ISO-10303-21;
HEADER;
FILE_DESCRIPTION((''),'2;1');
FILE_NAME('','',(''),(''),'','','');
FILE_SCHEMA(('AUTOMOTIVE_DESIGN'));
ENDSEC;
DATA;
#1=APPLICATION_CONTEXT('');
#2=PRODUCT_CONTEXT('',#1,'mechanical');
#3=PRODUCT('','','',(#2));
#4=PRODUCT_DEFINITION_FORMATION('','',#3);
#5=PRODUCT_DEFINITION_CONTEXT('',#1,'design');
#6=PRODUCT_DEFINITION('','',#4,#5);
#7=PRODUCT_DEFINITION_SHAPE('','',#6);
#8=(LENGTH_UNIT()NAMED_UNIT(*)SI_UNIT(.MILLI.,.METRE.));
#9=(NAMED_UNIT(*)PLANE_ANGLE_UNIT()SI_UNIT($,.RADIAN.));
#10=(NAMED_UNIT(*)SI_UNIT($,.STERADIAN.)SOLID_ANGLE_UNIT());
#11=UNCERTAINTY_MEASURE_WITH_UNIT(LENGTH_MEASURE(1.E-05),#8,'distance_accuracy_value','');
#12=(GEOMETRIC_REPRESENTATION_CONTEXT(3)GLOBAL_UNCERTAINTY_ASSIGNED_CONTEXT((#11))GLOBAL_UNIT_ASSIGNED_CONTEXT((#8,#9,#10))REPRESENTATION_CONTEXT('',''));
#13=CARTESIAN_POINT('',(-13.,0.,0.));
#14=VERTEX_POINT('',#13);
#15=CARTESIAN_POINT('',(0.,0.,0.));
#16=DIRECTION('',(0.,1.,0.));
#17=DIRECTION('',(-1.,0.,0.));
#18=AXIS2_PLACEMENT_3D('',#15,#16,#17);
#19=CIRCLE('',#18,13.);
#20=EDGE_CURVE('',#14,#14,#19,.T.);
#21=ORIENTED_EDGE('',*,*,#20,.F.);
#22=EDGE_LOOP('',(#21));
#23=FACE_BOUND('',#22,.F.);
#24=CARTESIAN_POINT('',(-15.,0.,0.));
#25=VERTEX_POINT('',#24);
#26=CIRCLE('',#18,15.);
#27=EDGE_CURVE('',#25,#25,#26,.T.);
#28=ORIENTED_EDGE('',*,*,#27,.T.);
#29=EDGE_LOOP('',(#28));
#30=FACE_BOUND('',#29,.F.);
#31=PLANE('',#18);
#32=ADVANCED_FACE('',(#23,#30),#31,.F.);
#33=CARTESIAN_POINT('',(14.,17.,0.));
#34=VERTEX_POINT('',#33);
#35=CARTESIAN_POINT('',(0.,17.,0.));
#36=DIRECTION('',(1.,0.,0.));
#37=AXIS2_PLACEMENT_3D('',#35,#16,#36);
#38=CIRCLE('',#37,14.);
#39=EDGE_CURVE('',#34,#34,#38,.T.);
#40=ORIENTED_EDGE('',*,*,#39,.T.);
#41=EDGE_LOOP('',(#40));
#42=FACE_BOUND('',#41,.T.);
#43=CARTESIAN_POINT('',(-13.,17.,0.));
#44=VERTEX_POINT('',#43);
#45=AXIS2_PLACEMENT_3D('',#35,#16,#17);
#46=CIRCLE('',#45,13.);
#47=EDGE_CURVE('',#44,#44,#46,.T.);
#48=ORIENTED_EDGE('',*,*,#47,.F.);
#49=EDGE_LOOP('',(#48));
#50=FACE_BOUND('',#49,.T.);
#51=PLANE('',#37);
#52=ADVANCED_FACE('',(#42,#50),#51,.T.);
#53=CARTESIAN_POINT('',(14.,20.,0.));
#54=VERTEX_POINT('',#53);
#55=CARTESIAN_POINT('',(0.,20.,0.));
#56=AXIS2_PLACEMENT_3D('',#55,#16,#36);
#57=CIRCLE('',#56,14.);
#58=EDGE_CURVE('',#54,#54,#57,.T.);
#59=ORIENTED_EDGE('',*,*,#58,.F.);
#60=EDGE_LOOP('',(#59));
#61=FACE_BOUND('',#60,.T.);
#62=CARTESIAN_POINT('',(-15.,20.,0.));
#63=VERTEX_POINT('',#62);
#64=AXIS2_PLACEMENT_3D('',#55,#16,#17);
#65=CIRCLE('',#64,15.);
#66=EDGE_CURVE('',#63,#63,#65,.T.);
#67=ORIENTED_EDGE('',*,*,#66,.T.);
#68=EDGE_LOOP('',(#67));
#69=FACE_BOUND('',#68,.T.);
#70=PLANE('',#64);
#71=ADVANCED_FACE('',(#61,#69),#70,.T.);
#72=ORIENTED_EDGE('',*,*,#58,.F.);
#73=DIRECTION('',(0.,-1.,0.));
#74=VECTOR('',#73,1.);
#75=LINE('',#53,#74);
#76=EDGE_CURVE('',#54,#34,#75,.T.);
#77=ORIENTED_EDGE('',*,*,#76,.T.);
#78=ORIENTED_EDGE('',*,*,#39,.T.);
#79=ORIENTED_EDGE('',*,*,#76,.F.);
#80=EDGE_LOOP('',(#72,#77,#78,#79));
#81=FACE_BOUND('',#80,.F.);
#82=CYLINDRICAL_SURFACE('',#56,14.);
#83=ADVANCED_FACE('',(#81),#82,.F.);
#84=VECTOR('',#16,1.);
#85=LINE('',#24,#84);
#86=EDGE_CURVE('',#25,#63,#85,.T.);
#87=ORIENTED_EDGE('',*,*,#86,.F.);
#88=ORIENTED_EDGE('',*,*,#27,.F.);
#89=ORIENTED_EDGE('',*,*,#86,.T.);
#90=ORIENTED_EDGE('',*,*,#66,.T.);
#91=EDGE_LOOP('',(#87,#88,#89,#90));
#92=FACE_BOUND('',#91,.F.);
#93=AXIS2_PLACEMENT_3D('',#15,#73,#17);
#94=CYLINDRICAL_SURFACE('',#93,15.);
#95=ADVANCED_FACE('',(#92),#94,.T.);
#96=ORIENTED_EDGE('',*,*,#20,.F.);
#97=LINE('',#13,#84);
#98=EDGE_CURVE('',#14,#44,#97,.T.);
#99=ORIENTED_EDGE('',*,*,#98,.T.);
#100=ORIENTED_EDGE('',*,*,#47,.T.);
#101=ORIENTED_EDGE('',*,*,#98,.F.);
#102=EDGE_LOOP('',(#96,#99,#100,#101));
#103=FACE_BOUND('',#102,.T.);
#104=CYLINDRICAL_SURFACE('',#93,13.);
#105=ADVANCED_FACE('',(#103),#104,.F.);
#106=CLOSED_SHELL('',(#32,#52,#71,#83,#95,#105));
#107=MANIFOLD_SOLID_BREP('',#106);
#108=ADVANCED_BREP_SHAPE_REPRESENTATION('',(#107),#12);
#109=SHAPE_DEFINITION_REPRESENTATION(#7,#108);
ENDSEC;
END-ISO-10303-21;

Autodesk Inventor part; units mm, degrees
ref_plane "YZ Plane" through (0, 0, 0) normal (1, 0, 0) x (0, 1, 0)
ref_plane "XZ Plane" through (0, 0, 0) normal (0, 1, 0) x (-1, 0, 0)
ref_plane "XY Plane" through (0, 0, 0) normal (0, 0, 1) x (1, 0, 0)
sketch "Sketch1" plane through (0, 0, 0) normal (0, 1, 0) x (-1, 0, 0)
  circle A0 centre (0, 0) radius 15
  circle A1 centre (0, 0) radius 13
  dimension "d0" = 30
  dimension "d1" = 26
extrude "Extrusion1" add sketch "Sketch1" along normal blind 20
sketch "Sketch2" plane through (0, 20, 0) normal (0, 1, 0) x (1, 0, 0)
  circle A0 centre (0, 0) radius 14
  circle A1 centre (0, 0) radius 13
  dimension "d4" = 28
  dimension "d5" = 26
extrude "Extrusion2" cut sketch "Sketch2" against normal blind 3
properties part number "svetlo_trubicka" material "Iron, Gray"
